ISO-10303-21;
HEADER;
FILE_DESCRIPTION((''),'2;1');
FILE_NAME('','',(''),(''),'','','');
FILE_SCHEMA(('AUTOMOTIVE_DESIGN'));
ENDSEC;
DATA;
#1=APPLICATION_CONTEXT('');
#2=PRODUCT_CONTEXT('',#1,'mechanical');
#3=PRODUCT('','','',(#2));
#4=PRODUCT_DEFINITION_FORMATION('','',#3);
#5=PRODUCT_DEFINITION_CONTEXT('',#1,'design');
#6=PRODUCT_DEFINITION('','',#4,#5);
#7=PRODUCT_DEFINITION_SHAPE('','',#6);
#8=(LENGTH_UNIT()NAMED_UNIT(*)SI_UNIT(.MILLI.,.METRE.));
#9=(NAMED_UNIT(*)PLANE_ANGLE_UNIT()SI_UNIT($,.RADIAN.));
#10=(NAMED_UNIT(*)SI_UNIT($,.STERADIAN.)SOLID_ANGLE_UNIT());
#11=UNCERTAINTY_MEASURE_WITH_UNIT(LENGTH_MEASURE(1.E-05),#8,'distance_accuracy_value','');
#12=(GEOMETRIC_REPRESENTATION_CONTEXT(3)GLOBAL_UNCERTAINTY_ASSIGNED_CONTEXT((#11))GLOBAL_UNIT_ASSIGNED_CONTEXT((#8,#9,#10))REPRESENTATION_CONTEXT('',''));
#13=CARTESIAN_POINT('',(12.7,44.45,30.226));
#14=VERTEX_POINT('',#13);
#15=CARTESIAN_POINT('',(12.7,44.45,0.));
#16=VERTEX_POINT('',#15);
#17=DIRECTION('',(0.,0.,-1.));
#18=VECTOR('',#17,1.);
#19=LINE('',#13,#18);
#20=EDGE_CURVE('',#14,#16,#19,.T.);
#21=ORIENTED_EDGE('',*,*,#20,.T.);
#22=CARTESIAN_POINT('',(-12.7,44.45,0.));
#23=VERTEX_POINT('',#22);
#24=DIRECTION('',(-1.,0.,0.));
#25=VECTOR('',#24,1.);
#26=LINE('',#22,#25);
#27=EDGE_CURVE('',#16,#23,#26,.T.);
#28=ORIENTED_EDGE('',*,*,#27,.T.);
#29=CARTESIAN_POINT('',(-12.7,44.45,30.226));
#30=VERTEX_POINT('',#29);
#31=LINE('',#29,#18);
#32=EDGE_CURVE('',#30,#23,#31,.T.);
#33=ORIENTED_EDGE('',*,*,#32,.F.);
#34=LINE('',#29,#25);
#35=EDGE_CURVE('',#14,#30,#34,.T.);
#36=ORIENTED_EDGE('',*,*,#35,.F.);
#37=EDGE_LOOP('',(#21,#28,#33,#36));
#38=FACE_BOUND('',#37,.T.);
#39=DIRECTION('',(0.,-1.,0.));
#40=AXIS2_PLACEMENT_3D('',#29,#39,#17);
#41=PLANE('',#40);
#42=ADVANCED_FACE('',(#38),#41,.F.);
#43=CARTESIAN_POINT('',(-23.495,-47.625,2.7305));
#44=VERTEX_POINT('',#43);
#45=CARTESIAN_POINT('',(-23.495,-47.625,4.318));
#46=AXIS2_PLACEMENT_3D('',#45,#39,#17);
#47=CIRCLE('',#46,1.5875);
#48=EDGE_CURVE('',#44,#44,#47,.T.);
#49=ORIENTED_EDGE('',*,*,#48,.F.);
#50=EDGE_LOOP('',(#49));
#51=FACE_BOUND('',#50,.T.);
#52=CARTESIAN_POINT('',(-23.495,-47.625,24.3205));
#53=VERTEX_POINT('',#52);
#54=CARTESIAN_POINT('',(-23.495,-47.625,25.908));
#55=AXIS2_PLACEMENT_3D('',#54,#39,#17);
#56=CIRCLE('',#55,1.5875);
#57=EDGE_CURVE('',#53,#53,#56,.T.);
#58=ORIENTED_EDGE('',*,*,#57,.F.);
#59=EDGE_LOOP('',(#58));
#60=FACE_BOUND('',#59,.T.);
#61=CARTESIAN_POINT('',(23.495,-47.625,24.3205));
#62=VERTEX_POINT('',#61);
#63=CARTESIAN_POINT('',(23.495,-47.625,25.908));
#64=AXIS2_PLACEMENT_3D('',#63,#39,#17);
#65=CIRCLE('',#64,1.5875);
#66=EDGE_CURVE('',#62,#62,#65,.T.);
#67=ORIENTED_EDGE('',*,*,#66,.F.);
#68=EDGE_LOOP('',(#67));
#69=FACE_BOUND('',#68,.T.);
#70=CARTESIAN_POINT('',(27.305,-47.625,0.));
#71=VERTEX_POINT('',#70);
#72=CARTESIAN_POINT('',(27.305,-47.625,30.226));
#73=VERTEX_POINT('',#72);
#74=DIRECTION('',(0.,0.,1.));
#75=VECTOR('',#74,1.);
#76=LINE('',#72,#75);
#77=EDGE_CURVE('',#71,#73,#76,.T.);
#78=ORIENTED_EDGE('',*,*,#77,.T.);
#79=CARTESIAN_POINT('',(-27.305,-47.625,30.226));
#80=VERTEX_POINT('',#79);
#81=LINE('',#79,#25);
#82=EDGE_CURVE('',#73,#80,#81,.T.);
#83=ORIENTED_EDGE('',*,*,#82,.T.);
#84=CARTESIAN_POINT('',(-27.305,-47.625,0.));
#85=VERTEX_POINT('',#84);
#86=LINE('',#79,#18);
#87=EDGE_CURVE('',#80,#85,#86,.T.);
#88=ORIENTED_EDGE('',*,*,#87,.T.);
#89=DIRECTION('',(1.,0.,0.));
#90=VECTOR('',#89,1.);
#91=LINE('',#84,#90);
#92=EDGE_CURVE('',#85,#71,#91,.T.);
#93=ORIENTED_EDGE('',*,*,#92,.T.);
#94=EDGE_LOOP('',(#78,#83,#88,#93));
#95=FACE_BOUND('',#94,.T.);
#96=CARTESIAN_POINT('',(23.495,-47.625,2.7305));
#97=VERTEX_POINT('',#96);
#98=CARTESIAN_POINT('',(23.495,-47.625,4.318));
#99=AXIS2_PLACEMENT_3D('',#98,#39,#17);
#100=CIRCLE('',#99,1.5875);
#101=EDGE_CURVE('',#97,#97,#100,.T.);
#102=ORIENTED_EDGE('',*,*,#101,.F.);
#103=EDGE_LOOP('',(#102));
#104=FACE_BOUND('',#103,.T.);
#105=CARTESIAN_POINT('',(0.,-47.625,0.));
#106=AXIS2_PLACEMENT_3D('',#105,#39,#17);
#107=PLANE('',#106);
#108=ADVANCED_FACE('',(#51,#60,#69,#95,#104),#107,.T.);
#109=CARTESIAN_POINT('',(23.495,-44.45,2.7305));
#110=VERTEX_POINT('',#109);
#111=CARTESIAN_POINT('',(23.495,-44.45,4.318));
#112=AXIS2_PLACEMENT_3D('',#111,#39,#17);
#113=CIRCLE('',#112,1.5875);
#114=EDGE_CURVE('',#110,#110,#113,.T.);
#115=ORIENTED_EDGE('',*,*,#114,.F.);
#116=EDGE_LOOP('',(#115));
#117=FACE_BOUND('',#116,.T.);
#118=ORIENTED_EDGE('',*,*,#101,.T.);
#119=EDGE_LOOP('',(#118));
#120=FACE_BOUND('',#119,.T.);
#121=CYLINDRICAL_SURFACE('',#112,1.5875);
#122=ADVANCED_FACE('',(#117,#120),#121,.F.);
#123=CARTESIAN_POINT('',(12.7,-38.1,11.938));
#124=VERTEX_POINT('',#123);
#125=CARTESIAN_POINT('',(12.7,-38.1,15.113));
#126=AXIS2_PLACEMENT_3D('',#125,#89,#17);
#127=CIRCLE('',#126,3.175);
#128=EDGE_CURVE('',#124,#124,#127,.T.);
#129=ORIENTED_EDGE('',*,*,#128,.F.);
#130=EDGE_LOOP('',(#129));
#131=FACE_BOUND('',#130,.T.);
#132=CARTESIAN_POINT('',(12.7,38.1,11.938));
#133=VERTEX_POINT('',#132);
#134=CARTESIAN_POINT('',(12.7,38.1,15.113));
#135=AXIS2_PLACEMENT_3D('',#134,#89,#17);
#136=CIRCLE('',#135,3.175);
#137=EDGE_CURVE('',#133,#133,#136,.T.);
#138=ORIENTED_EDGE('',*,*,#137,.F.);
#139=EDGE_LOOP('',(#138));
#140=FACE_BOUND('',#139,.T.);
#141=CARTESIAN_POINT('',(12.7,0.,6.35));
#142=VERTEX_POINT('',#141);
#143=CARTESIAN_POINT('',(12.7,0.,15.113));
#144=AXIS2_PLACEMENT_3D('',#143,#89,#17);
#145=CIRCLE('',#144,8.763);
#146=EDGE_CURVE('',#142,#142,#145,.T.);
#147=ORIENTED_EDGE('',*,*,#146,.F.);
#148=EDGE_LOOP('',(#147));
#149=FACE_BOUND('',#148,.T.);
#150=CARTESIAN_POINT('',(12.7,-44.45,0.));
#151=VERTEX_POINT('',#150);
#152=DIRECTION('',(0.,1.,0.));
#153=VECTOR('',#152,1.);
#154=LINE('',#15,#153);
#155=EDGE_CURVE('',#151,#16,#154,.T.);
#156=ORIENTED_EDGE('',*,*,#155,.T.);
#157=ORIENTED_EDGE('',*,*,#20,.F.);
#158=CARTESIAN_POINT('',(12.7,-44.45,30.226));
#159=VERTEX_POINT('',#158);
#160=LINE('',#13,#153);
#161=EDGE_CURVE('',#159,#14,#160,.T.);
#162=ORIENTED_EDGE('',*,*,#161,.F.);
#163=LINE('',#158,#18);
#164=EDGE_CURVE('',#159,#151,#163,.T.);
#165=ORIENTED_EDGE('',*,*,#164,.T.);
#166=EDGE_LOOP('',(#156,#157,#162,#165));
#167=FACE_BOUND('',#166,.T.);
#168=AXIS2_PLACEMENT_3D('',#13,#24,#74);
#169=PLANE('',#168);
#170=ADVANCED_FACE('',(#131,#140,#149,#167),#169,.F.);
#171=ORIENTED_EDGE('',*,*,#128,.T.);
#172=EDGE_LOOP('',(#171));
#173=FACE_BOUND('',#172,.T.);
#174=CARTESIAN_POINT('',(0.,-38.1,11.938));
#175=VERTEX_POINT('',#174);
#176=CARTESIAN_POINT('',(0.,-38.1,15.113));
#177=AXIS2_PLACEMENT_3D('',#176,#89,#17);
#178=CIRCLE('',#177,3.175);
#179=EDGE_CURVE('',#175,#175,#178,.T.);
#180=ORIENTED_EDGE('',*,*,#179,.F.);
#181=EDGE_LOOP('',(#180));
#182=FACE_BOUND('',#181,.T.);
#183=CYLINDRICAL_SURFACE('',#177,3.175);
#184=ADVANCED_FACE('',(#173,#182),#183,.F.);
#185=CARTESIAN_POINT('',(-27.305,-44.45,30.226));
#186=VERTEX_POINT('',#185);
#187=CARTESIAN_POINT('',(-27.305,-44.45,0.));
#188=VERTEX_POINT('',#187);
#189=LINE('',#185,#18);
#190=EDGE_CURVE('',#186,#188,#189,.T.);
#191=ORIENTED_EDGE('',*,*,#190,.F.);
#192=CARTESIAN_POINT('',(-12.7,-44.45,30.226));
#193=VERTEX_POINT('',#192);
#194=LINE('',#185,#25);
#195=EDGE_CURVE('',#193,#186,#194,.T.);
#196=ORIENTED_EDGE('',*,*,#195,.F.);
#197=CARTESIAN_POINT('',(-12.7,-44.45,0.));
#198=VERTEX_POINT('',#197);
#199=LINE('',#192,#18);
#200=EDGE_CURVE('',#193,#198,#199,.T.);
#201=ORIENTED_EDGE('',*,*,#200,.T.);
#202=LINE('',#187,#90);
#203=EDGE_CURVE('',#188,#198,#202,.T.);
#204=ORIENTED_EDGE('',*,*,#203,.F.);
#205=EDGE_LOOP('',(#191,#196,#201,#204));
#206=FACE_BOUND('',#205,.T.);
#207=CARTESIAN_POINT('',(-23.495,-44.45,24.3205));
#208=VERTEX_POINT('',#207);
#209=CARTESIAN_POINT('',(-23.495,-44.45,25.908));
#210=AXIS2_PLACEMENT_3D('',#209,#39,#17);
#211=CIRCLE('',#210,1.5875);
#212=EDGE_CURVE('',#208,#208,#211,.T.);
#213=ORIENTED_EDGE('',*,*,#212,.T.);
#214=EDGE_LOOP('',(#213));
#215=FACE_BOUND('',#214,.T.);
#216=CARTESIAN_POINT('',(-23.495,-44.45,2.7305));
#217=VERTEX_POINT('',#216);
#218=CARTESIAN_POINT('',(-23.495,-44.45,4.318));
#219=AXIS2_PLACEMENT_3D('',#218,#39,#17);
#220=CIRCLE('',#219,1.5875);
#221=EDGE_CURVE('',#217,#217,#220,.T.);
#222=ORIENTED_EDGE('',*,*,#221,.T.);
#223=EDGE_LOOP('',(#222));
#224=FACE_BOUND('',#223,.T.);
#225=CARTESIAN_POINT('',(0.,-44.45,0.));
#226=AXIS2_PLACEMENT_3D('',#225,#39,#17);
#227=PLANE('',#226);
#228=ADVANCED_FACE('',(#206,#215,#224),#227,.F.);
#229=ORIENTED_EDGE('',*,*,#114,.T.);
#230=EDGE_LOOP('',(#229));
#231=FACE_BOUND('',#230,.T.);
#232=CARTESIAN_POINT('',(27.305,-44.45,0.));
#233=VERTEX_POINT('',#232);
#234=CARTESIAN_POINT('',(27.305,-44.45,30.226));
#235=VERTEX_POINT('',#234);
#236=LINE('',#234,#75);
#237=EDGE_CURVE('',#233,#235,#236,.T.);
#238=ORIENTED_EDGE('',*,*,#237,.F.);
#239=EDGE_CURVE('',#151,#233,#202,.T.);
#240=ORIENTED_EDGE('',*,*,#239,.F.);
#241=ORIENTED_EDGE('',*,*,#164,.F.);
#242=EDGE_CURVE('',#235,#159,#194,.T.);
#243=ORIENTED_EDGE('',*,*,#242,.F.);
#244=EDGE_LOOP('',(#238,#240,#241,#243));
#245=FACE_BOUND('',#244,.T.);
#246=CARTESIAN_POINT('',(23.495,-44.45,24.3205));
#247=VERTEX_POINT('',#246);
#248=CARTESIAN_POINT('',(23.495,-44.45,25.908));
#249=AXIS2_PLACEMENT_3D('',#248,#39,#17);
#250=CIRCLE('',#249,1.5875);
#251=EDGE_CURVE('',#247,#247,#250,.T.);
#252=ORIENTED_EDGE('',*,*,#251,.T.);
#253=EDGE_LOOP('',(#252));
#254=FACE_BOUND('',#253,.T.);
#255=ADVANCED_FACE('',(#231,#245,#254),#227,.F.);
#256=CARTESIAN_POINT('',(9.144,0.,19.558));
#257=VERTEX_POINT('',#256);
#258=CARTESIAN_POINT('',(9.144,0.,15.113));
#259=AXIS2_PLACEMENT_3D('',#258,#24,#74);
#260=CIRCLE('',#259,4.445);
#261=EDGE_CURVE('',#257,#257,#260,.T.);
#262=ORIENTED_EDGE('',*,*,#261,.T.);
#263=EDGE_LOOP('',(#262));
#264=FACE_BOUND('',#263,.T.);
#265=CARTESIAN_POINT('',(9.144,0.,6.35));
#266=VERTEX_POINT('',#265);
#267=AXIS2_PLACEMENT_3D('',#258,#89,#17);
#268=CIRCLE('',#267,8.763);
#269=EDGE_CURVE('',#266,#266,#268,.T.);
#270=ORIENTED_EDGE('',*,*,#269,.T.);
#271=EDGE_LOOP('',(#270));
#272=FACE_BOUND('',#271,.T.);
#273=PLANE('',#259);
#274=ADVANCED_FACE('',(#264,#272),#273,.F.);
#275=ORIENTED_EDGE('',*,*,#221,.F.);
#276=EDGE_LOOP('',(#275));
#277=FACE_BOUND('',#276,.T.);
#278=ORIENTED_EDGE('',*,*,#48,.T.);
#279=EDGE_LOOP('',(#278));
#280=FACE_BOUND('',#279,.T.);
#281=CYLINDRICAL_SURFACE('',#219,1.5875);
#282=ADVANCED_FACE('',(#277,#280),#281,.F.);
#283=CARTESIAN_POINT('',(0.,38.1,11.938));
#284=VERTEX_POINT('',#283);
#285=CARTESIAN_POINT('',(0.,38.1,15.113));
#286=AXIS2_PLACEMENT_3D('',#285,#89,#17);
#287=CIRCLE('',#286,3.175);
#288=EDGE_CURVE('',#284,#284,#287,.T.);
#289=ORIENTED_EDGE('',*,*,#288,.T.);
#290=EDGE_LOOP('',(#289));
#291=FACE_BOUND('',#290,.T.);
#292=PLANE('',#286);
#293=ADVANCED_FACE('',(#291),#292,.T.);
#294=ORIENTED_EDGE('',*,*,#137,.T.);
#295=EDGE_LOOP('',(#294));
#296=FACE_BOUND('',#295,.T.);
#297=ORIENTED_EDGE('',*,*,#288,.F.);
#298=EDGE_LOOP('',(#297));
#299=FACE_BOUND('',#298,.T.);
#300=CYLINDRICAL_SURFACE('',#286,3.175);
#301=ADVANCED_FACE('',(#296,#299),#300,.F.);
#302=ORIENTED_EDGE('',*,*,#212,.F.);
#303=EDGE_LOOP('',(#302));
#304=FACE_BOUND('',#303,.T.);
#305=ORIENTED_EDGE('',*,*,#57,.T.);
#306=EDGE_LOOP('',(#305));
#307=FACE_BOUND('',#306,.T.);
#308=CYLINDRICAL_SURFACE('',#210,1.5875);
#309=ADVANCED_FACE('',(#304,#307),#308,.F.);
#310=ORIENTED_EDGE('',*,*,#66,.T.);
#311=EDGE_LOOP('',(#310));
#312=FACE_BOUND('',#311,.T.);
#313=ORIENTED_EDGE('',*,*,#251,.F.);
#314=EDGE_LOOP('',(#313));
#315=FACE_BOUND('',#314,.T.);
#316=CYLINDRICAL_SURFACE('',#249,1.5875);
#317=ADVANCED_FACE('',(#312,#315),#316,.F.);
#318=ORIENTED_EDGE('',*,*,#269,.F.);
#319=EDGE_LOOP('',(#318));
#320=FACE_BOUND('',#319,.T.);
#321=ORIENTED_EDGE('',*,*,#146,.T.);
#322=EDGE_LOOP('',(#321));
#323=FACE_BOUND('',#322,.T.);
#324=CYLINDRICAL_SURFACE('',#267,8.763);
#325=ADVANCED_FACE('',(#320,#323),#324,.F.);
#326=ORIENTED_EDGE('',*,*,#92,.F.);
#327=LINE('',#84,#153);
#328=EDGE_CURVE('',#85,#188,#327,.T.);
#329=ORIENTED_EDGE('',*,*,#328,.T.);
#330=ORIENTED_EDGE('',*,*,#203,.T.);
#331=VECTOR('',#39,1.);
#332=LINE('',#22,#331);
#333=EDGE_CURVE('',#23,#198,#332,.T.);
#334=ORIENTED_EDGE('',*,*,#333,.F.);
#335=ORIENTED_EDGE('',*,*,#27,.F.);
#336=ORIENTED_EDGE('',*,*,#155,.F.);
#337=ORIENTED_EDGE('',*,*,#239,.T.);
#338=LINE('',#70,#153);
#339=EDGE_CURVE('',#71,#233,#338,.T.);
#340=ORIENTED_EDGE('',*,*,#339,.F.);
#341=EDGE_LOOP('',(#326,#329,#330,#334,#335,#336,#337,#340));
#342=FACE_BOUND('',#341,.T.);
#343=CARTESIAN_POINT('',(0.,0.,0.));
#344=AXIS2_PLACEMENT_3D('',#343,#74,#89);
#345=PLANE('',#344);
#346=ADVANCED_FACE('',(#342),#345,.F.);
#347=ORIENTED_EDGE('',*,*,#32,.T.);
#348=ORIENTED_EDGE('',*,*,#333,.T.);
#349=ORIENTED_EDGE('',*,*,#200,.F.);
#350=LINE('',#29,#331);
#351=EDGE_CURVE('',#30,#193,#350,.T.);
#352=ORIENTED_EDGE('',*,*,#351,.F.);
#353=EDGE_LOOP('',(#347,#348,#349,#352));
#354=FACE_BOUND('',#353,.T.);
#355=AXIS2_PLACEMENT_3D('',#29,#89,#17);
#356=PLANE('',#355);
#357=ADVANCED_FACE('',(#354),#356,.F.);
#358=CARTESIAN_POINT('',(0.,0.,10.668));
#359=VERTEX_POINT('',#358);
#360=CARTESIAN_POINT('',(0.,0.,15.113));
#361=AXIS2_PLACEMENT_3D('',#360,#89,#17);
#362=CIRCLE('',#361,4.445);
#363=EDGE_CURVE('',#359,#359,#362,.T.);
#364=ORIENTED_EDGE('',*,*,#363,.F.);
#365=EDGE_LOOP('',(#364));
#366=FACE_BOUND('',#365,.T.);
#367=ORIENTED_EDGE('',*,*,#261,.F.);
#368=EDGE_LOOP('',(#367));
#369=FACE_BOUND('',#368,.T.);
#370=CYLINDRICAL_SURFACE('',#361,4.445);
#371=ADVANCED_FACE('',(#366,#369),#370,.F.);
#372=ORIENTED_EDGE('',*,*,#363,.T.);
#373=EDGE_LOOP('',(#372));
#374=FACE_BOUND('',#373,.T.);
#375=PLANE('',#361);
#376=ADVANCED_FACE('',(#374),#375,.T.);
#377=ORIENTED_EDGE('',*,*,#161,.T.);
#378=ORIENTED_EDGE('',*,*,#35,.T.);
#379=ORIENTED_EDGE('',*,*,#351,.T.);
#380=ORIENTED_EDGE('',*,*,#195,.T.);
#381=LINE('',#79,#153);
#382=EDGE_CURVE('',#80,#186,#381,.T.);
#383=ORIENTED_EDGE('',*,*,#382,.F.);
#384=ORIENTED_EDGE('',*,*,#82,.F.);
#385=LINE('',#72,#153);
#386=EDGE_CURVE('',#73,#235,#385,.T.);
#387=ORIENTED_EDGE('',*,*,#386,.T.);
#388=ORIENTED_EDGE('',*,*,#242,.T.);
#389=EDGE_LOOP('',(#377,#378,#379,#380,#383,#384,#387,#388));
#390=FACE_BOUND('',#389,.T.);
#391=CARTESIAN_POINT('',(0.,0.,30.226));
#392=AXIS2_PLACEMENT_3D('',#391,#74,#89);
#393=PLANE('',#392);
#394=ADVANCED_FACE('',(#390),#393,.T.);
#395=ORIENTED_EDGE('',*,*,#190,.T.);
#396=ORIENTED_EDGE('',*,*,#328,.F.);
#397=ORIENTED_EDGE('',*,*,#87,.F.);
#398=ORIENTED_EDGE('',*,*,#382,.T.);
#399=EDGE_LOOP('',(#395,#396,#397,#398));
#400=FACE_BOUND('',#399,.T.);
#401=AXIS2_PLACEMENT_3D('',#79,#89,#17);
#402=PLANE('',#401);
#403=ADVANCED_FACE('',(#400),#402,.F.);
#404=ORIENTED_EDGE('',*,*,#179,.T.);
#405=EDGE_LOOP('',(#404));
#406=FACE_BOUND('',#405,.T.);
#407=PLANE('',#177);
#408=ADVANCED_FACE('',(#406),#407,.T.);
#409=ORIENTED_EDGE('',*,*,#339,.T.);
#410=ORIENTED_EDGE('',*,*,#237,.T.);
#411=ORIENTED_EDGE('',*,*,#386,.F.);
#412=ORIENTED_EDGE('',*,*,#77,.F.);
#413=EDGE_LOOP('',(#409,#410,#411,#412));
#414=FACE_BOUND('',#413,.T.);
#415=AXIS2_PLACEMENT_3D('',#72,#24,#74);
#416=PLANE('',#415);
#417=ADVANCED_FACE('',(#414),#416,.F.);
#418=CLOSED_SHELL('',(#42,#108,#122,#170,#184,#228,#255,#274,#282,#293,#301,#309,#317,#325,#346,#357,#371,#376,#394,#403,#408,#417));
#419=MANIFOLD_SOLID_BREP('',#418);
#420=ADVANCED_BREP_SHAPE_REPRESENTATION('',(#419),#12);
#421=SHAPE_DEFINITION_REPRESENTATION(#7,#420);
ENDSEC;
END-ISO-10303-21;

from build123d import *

# Parameters (mm, degrees)
SKETCH1_W           = 25.4
SKETCH1_H           = 88.9
BOSS_EXTRUDE1_DEPTH = 30.226
SKETCH2_R           = 3.175
CUT_EXTRUDE1_DEPTH  = 12.7
SKETCH3_R           = 8.763
CUT_EXTRUDE2_DEPTH  = 3.556
CUT_EXTRUDE3_START  = -21.844
SKETCH4_R           = 10.795
CUT_EXTRUDE3_DEPTH  = 21.844
SKETCH5_W           = 54.61
SKETCH5_H           = 30.226
BOSS_EXTRUDE2_DEPTH = 3.175
SKETCH6_R           = 1.5875
CUT_EXTRUDE4_DEPTH  = 3.175
BOSS_EXTRUDE3_START = 2.54
SKETCH8_R           = 10.795
SKETCH8_R_2         = 6.35
BOSS_EXTRUDE3_DEPTH = 2.54
BOSS_EXTRUDE4_START = 19.304
SKETCH9_R           = 10.795
BOSS_EXTRUDE4_DEPTH = 19.304
SKETCH10_R          = 8.763
BOSS_EXTRUDE5_DEPTH = 10.16
SKETCH12_R          = 4.445
CUT_EXTRUDE5_DEPTH  = 12.7


with BuildPart() as part:
    # Sketch1 → Boss-Extrude1 (new body)
    with BuildSketch(Plane.XY):
        Rectangle(SKETCH1_W, SKETCH1_H)
    extrude(amount=BOSS_EXTRUDE1_DEPTH)

    # Sketch2 → Cut-Extrude1 (cut)
    with BuildSketch(Plane(origin=(12.7, 0, 0), x_dir=(0, 0, -1), z_dir=(1, 0, 0))):
        with Locations((-15.113, 38.1)):
            Circle(SKETCH2_R)
        with Locations((-15.113, -38.1)):
            Circle(SKETCH2_R)
    extrude(amount=-CUT_EXTRUDE1_DEPTH, mode=Mode.SUBTRACT)

    # Sketch3 → Cut-Extrude2 (cut)
    with BuildSketch(Plane(origin=(12.7, 0, 0), x_dir=(0, 0, -1), z_dir=(1, 0, 0))):
        with Locations((-15.113, 0)):
            Circle(SKETCH3_R)
    extrude(amount=-CUT_EXTRUDE2_DEPTH, mode=Mode.SUBTRACT)

    # Sketch4 → Cut-Extrude3 (cut)
    with BuildSketch(Plane(origin=(9.144, 0, 0), x_dir=(0, 0, -1), z_dir=(1, 0, 0)).offset(CUT_EXTRUDE3_START)):
        with Locations((-15.113, 0)):
            Circle(SKETCH4_R)
    extrude(amount=CUT_EXTRUDE3_DEPTH, mode=Mode.SUBTRACT)

    # Sketch5 → Boss-Extrude2 (add)
    with BuildSketch(Plane.XZ.offset(44.45)):
        with Locations((0, 15.113)):
            Rectangle(SKETCH5_W, SKETCH5_H)
    extrude(amount=BOSS_EXTRUDE2_DEPTH)

    # Sketch6 → Cut-Extrude4 (cut)
    with BuildSketch(Plane.XZ.offset(47.625)):
        with Locations(Location((-23.495, 25.908, 0), (0, 0, 270))):
            Circle(SKETCH6_R)
        with Locations(Location((-23.495, 4.318, 0), (0, 0, 270))):
            Circle(SKETCH6_R)
        with Locations(Location((23.495, 4.318, 0), (0, 0, 270))):
            Circle(SKETCH6_R)
        with Locations(Location((23.495, 25.908, 0), (0, 0, 270))):
            Circle(SKETCH6_R)
    extrude(amount=-CUT_EXTRUDE4_DEPTH, mode=Mode.SUBTRACT)

    # Sketch8 → Boss-Extrude3 (add)
    with BuildSketch(Plane.ZY.offset(-9.144).offset(BOSS_EXTRUDE3_START)):
        with Locations(Location((15.113, 0, 0), (0, 0, 180))):
            Circle(SKETCH8_R)
        with Locations((15.113, 0)):
            Circle(SKETCH8_R_2, mode=Mode.SUBTRACT)
    extrude(amount=-BOSS_EXTRUDE3_DEPTH)

    # Sketch9 → Boss-Extrude4 (add)
    with BuildSketch(Plane.ZY.offset(-6.604).offset(BOSS_EXTRUDE4_START)):
        with Locations((15.113, 0)):
            Circle(SKETCH9_R)
    extrude(amount=-BOSS_EXTRUDE4_DEPTH)

    # Sketch10 → Boss-Extrude5 (add)
    with BuildSketch(Plane(origin=(9.144, 0, 0), x_dir=(0, 0, -1), z_dir=(1, 0, 0))):
        with Locations((-15.113, 0)):
            Circle(SKETCH10_R)
    extrude(amount=-BOSS_EXTRUDE5_DEPTH)

    # Sketch12 → Cut-Extrude5 (cut)
    with BuildSketch(Plane(origin=(12.7, 0, 0), x_dir=(0, 0, -1), z_dir=(1, 0, 0))):
        with Locations((-15.113, 0)):
            Circle(SKETCH12_R)
    extrude(amount=-CUT_EXTRUDE5_DEPTH, mode=Mode.SUBTRACT)


solid = part.part
